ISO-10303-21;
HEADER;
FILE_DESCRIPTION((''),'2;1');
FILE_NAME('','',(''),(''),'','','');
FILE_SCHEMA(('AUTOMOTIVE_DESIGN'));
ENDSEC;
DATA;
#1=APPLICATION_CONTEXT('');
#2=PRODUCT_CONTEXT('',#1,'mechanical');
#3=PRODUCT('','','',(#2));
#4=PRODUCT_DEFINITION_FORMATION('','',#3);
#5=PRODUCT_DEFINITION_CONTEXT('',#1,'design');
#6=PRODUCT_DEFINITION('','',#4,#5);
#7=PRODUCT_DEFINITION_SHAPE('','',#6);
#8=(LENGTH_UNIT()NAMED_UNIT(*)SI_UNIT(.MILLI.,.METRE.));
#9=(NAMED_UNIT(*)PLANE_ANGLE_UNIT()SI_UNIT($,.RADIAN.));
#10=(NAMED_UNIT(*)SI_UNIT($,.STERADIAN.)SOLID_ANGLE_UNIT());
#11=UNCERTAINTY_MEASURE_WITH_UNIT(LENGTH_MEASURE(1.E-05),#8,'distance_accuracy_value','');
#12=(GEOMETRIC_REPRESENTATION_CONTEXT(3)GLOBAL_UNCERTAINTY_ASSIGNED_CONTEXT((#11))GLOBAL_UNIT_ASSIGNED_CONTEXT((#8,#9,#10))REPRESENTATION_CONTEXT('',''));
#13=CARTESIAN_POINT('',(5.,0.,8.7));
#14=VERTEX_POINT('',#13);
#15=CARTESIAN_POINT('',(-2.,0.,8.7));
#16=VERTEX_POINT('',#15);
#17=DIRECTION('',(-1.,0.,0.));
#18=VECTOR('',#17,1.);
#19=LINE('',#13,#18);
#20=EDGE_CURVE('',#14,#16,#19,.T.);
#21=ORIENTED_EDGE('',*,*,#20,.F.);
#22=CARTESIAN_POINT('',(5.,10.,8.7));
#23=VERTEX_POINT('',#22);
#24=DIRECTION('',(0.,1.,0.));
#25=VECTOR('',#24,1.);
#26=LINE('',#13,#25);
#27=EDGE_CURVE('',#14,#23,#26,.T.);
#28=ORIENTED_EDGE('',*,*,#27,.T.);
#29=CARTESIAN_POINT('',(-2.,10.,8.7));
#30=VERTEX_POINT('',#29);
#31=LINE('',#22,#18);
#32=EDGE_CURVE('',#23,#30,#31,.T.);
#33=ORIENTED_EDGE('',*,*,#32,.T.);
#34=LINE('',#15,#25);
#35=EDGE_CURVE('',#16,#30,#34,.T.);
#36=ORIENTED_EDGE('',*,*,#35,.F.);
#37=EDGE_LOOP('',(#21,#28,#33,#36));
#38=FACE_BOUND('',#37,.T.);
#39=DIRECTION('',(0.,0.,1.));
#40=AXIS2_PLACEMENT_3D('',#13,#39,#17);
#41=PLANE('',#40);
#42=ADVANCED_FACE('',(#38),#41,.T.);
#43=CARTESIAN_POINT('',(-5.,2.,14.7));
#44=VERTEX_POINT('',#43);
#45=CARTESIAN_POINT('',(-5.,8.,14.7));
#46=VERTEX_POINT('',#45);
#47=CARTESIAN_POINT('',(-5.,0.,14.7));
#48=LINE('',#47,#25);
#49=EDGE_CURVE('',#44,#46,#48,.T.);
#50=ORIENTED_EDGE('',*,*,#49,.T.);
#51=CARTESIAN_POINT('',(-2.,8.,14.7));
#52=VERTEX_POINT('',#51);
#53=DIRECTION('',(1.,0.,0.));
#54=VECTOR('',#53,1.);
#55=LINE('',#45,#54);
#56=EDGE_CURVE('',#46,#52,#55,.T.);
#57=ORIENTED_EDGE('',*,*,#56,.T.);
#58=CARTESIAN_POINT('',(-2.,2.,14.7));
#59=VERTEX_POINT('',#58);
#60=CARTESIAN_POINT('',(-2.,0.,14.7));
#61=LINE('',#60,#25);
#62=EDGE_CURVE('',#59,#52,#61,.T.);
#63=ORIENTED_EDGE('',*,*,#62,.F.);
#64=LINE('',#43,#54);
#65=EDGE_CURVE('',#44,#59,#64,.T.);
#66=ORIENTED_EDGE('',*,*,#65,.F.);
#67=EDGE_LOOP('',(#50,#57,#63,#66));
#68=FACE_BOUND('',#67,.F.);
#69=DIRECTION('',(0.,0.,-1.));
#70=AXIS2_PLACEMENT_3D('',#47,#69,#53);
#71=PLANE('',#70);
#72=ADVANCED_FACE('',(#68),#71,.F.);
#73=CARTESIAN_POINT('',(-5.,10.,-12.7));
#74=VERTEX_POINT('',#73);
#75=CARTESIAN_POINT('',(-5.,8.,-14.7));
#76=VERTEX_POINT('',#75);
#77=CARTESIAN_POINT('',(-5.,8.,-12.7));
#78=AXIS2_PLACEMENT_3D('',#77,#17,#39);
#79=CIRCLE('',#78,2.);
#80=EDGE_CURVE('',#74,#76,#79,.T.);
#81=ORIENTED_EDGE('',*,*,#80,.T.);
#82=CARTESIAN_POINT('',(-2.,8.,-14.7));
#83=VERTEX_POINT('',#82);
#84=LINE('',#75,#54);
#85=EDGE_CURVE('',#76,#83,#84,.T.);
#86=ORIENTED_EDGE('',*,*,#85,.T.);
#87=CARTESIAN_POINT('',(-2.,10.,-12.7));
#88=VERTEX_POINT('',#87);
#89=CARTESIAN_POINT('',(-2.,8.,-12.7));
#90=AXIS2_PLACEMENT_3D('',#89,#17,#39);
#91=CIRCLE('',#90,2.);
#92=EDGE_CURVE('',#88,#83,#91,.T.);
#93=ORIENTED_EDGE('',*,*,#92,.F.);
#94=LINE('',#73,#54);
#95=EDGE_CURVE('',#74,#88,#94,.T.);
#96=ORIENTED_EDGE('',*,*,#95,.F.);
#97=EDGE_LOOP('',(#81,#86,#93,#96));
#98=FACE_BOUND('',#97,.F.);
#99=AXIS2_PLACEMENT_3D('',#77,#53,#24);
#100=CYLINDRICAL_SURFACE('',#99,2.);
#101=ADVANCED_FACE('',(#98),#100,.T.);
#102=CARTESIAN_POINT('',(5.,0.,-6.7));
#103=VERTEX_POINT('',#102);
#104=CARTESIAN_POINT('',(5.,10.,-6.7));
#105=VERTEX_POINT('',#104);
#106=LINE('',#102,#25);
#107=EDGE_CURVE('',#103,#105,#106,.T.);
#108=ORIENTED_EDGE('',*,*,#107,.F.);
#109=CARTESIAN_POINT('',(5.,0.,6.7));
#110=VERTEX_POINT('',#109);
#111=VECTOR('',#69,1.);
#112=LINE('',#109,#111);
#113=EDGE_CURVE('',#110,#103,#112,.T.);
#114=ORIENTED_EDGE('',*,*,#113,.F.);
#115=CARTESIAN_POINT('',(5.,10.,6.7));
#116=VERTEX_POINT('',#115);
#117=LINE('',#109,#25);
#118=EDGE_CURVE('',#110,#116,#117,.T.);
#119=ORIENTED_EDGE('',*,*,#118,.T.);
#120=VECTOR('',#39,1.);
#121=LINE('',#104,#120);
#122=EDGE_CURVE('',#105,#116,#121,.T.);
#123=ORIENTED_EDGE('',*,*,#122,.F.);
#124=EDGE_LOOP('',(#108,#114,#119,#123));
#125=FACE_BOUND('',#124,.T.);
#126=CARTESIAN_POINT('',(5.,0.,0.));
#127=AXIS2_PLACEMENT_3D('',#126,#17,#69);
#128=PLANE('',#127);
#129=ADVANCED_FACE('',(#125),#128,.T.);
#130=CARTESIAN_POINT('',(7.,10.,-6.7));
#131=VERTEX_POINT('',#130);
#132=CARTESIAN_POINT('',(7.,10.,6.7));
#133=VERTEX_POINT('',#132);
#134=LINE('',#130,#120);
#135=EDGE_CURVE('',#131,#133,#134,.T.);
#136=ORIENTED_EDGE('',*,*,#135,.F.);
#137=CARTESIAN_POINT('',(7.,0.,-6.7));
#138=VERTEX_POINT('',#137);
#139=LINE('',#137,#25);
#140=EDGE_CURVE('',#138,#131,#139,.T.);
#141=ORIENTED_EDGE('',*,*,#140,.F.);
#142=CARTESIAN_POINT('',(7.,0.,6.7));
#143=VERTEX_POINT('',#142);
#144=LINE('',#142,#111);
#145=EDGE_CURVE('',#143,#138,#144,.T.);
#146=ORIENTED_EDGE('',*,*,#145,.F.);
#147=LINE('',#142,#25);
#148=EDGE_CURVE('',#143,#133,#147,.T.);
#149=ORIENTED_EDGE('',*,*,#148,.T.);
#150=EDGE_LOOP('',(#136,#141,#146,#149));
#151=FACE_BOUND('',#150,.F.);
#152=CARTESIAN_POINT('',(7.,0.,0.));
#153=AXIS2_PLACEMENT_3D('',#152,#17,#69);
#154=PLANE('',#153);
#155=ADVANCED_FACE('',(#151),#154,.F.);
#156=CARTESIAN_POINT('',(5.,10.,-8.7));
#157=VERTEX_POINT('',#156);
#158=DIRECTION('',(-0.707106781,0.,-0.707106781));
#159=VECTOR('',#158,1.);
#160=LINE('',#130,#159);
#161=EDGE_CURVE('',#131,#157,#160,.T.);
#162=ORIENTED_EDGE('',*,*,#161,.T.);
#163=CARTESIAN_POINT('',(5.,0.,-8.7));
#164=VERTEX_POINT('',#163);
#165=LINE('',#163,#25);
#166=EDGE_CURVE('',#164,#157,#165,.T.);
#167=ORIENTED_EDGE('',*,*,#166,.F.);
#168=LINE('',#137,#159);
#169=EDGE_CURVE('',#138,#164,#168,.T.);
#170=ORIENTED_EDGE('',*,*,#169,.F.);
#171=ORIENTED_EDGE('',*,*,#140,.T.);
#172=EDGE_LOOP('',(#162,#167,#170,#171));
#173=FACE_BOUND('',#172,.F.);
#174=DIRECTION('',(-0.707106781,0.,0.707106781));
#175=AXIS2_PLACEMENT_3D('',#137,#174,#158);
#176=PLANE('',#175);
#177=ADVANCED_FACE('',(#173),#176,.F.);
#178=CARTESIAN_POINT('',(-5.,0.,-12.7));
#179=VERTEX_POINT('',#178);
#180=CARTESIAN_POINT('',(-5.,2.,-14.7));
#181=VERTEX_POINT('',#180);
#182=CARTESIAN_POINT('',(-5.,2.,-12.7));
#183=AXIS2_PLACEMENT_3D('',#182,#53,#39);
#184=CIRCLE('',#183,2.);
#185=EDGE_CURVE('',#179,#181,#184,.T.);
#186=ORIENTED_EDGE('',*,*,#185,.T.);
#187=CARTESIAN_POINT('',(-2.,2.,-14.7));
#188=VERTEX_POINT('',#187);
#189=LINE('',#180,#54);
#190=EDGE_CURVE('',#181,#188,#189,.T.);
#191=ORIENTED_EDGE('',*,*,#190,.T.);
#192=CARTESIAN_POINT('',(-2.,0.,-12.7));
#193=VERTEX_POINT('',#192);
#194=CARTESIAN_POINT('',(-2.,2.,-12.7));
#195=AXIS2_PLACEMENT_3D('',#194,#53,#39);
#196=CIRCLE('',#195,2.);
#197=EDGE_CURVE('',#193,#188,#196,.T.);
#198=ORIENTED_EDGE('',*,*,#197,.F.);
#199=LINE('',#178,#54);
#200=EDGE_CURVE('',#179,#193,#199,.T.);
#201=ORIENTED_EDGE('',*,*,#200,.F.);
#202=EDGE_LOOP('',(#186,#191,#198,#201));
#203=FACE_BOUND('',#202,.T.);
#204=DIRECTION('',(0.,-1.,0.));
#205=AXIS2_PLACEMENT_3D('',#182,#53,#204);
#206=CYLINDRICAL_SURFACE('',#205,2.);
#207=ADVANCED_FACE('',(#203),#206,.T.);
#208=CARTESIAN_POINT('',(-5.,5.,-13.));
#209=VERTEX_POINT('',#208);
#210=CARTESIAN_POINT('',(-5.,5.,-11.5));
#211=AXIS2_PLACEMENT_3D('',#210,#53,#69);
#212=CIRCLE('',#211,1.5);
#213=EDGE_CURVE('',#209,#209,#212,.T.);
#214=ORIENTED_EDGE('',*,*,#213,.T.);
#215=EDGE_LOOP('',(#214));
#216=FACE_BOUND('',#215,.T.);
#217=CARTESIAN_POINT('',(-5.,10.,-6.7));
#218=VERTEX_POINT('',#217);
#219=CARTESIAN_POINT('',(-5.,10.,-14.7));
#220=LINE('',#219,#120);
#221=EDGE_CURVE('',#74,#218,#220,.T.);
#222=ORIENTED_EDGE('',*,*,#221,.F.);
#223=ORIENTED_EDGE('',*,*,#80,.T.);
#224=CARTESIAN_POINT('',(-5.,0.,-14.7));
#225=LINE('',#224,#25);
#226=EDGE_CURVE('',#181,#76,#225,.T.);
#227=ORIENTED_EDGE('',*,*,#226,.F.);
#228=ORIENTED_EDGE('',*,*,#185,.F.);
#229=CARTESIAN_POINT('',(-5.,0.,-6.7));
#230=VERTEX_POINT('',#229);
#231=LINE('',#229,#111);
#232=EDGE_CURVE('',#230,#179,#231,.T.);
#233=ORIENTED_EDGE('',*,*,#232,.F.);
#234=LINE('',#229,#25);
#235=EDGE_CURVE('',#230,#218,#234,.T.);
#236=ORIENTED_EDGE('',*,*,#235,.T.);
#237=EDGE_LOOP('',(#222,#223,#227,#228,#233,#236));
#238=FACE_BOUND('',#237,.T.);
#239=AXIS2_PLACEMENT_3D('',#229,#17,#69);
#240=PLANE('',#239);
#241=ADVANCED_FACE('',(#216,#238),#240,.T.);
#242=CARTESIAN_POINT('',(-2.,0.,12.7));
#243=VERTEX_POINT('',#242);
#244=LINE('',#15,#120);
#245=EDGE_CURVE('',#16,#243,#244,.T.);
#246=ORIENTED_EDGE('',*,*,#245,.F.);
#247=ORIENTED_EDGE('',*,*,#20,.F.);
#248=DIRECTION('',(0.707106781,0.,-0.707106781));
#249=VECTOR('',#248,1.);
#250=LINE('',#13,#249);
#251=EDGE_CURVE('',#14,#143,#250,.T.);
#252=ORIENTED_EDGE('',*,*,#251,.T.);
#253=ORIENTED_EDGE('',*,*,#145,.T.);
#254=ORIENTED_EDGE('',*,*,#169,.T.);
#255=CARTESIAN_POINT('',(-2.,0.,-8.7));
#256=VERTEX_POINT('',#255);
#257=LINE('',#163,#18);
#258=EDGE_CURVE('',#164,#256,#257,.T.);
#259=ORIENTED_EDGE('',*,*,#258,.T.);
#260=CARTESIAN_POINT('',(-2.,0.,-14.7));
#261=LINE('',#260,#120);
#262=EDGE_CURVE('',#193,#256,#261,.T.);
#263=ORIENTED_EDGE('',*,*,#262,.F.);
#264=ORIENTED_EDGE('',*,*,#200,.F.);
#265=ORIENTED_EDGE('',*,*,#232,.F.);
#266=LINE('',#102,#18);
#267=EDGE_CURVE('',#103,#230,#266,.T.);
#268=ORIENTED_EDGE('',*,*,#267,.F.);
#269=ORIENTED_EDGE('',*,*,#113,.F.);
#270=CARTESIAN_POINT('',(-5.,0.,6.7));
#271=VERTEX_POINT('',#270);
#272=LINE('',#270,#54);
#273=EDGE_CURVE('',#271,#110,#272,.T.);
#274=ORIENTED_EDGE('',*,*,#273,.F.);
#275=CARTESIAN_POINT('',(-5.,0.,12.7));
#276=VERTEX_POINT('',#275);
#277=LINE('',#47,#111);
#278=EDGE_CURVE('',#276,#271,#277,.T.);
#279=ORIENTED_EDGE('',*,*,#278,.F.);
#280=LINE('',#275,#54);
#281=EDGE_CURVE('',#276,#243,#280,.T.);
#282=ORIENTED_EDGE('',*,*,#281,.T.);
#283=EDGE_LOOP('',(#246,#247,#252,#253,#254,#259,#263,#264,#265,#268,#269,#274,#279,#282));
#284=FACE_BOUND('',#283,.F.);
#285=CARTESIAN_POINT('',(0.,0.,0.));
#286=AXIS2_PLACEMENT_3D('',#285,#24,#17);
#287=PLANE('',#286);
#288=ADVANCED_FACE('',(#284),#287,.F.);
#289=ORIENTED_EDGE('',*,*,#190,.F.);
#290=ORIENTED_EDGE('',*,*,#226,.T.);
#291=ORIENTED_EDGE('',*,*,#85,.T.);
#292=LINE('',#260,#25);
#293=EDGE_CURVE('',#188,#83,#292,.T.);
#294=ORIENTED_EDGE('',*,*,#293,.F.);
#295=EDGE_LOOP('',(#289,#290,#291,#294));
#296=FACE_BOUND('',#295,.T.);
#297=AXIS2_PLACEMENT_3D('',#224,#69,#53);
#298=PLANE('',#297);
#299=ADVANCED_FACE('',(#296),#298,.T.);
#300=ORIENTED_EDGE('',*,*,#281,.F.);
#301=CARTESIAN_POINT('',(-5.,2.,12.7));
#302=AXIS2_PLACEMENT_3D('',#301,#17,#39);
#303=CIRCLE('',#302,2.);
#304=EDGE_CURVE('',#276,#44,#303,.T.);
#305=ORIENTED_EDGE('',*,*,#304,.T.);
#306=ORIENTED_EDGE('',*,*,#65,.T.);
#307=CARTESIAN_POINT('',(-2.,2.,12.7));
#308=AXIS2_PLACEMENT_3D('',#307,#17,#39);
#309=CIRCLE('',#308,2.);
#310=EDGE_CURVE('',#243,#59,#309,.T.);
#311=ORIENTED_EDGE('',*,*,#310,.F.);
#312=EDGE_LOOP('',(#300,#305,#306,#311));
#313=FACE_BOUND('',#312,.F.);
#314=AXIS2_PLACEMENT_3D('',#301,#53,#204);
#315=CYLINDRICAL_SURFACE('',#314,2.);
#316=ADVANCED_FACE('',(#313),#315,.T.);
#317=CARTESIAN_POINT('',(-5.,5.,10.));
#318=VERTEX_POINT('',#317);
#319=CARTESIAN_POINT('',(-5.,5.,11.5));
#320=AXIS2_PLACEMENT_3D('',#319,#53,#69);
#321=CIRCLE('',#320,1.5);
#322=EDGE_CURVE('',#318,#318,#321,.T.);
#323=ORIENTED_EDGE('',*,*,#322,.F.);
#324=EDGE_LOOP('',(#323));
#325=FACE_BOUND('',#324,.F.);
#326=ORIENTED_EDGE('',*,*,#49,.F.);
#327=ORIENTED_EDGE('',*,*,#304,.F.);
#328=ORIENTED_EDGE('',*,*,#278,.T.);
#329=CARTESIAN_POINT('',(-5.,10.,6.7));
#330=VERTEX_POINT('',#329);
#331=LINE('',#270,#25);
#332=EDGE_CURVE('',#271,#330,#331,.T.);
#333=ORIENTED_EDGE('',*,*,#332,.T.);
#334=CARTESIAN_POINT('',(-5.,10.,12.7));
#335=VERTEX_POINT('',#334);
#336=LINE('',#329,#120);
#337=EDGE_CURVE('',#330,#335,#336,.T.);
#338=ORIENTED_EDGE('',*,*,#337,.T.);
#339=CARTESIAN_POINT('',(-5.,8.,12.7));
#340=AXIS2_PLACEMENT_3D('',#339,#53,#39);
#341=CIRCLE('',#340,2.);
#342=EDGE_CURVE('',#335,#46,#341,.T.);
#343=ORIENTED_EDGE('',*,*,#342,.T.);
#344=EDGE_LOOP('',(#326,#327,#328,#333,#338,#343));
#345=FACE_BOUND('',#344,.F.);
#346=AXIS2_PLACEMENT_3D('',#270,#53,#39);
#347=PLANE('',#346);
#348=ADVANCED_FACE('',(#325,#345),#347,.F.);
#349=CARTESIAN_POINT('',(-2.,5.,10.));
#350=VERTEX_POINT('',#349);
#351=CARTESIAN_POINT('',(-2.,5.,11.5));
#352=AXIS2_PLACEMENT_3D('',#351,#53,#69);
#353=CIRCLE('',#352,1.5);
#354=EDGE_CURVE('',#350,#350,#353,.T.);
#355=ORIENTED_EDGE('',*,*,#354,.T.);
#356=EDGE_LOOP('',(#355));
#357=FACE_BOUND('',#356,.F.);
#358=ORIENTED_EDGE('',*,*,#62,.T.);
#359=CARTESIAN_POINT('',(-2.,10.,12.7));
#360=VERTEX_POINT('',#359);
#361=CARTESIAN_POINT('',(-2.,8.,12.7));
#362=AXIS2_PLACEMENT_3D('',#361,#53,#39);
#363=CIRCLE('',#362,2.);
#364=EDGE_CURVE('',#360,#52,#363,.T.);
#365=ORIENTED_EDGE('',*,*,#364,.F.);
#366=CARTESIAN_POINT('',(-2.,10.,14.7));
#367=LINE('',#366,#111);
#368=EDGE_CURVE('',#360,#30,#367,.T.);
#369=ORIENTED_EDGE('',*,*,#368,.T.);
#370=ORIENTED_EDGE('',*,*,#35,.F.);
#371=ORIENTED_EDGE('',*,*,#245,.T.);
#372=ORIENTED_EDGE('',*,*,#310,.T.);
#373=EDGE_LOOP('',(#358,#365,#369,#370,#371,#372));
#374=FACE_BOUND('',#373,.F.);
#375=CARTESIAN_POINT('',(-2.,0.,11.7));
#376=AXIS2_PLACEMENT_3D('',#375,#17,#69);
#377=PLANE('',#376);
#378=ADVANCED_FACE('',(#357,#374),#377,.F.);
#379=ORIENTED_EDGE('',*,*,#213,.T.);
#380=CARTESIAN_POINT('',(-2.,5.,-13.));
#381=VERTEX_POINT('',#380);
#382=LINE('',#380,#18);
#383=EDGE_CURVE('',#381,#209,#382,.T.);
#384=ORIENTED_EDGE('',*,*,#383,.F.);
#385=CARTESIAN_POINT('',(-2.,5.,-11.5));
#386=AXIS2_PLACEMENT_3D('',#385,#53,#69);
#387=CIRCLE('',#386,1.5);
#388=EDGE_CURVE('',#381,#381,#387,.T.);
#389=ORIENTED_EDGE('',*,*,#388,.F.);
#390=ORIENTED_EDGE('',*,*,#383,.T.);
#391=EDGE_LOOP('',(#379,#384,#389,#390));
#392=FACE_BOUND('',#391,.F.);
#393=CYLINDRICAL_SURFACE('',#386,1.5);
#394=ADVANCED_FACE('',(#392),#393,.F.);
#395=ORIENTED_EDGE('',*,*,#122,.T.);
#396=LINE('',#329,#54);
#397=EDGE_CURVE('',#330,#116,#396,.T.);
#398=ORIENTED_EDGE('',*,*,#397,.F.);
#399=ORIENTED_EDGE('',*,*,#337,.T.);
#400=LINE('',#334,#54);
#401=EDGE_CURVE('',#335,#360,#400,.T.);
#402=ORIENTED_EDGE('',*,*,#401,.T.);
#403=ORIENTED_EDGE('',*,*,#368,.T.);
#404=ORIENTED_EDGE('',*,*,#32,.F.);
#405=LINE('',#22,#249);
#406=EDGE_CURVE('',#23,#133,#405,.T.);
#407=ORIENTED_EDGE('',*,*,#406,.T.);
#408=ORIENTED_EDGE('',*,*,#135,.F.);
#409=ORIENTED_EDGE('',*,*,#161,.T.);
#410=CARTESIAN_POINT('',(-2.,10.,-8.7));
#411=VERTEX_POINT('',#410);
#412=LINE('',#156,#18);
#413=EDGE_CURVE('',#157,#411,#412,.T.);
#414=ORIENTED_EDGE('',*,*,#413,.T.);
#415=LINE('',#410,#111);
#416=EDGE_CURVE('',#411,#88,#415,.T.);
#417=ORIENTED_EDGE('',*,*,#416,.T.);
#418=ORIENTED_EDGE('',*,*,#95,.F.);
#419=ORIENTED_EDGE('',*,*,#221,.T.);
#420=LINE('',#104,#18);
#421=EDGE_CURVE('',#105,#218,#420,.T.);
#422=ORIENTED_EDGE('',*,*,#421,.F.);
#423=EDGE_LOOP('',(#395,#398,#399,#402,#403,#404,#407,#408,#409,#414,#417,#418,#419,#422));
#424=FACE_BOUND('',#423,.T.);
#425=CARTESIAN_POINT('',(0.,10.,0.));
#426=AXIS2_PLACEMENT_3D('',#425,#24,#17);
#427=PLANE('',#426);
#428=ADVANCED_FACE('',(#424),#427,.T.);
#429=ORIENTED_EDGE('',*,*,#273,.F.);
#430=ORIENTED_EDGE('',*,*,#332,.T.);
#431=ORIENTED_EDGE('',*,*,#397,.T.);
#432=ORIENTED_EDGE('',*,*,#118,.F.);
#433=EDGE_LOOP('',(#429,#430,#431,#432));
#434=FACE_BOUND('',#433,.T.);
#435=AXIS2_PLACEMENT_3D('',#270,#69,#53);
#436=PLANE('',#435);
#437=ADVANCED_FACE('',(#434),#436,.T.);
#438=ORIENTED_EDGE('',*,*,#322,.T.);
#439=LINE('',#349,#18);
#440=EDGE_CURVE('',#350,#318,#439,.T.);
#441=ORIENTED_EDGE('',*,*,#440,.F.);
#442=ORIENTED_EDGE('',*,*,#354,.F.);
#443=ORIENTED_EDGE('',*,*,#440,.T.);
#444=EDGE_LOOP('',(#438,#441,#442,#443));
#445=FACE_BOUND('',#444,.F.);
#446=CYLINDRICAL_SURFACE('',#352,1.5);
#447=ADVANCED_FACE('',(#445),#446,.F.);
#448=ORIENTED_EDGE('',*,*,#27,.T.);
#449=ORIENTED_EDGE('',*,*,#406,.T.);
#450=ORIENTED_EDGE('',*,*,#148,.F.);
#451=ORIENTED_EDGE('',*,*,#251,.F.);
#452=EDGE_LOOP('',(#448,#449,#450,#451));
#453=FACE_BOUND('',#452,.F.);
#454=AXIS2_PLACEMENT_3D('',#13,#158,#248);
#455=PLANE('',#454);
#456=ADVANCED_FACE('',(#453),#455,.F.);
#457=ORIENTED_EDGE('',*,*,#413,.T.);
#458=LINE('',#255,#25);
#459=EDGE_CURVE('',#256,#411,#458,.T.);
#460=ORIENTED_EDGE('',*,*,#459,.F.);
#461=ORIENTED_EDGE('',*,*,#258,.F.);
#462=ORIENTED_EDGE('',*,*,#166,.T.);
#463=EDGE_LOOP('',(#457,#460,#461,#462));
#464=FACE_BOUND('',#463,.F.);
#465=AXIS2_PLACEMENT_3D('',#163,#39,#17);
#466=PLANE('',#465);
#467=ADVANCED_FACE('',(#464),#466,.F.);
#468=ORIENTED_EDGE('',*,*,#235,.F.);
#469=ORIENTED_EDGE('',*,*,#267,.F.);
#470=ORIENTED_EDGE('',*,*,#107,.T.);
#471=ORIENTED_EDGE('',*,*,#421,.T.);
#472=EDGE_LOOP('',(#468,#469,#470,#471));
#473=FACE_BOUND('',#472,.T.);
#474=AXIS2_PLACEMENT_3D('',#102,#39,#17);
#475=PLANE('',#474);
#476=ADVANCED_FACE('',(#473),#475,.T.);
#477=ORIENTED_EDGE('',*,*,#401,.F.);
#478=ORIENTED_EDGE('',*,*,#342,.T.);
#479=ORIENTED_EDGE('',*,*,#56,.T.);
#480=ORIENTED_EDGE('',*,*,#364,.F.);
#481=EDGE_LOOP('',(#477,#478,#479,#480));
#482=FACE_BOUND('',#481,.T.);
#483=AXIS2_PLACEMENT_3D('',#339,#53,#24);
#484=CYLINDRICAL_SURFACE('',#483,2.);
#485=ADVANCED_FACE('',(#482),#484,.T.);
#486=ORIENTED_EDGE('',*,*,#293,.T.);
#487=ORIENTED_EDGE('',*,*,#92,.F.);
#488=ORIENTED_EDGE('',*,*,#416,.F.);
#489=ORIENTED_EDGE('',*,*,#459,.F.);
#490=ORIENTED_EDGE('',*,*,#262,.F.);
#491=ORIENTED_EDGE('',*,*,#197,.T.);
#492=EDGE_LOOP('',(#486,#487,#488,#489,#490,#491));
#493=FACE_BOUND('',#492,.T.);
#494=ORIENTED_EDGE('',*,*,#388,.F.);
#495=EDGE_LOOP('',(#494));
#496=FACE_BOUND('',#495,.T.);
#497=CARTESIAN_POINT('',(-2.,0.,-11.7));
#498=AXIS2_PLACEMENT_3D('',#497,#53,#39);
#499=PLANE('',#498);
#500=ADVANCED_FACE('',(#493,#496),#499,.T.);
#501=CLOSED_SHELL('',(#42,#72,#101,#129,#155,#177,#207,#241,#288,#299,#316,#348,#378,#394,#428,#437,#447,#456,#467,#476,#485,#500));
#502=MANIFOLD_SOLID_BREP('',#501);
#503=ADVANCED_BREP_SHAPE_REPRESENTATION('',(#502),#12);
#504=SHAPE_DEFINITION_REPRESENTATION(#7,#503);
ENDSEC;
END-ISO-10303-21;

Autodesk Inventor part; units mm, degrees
ref_plane "YZ Plane" through (0, 0, 0) normal (1, 0, 0) x (0, 1, 0)
ref_plane "XZ Plane" through (0, 0, 0) normal (0, 1, 0) x (-1, 0, 0)
ref_plane "XY Plane" through (0, 0, 0) normal (0, 0, 1) x (1, 0, 0)
sketch "Szkic1" plane through (0, 0, 0) normal (0, 1, 0) x (-1, 0, 0)
  line L0 (-4, 6.5) -> (4, 6.5) construction
  line L1 (4, 6.5) -> (4, -6.5) construction
  line L2 (4, -6.5) -> (-4, -6.5) construction
  line L3 (-4, -6.5) -> (-4, 6.5) construction
  line L4 (-4, 6.5) -> (4, -6.5) construction
  line L5 (4, 6.5) -> (-4, -6.5) construction
  line L6 (-5, -6.7) -> (5, -6.7)
  line L7 (5, -6.7) -> (5, 6.7)
  line L8 (5, 6.7) -> (-5, 6.7)
  line L9 (-5, 6.7) -> (-5, -6.7)
  line L10 (-5, -6.7) -> (5, 6.7) construction
  line L11 (5, -6.7) -> (-5, 6.7) construction
  line L12 (5, 6.7) -> (5, 11.7)
  line L13 (5, -6.7) -> (5, -11.7)
  line L14 (5, 11.7) -> (5, 14.7)
  line L15 (5, -11.7) -> (5, -14.7)
  line L16 (5, 14.7) -> (2, 14.7)
  line L17 (2, 14.7) -> (2, 11.7)
  line L18 (2, 11.7) -> (5, 11.7)
  line L19 (5, 11.7) -> (5, 14.7)
  line L20 (5, -14.7) -> (2, -14.7)
  line L21 (2, -14.7) -> (2, -11.7)
  line L22 (2, -11.7) -> (5, -11.7)
  line L23 (5, -11.7) -> (5, -14.7)
  line L24 (-5, 0) -> (-7, 0)
  line L25 (-5, 6.7) -> (-7, 6.7)
  line L26 (-5, -6.7) -> (-7, -6.7)
  line L27 (2, 11.7) -> (2, 8.7)
  line L28 (-7, 6.7) -> (-7, 0)
  line L29 (-7, 0) -> (-7, -6.7)
  line L30 (2, -11.7) -> (2, -8.7)
  line L31 (-5, 6.7) -> (-5, 8.7)
  line L32 (-5, 8.7) -> (2, 8.7)
  line L33 (-5, -6.7) -> (-5, -8.7)
  line L34 (-5, -8.7) -> (2, -8.7)
  line L35 (-5, 8.7) -> (-7, 6.7)
  line L36 (-7, -6.7) -> (-5, -8.7)
  point P0 (0, 0)
  dimension "d0" = 8
  dimension "d1" = 13
  dimension "d2" = 10
  dimension "d3" = 13.4
  dimension "d4" = 5
  dimension "d5" = 5
  dimension "d6" = 3
  dimension "d7" = 3
  dimension "d8" = 3
  dimension "d9" = 3
  dimension "d10" = 2
  dimension "d11" = 2
  dimension "d12" = 2
  dimension "d13" = 3
  dimension "d14" = 3
  dimension "d15" = 2
  dimension "d16" = 2
extrude "Wyciągnięcie proste1" add sketch "Szkic1" along normal blind 10 contours L26 L29 L24 L9 | L33 L36 L26 | L6 L13 L22 L30 L34 L33 | L24 L28 L25 L9 | L8 L31 L32 L27 L18 L12 | L15 L20 L21 L22 | L25 L35 L31 | L18 L17 L16 L14
sketch "Szkic2" plane through (-2, 0, 14.7) normal (1, 0, 0) x (0, 0, -1)
  line L0 (0, 10) -> (6, 10) construction
  line L1 (6, 0) -> (6, 10) construction
  line L2 (0, 0) -> (0, 10) construction
  line L3 (6, 0) -> (0, 0) construction
  line L4 (14.7, 0) -> (14.7, 10) construction
  line L5 (8, 10) -> (21.4, 10) construction
  circle A0 centre (3.2, 5) radius 1.5
  circle A1 centre (26.2, 5) radius 1.5
  line L6 (23.4, 0) -> (23.4, 10) projected
  line L7 (0, 0) -> (6, 10) construction
  line L8 (6, 0) -> (0, 10) construction
  line L9 (6, 0) -> (6, 10) projected
  point P0 (6, 5)
  point P1 (6, 5)
  dimension "d19" = 3
  dimension "d27" = 2.8
  dimension "d28" = 5
extrude "Wyciągnięcie proste2" cut sketch "Szkic2" against normal blind 6.65
fillet "Zaokrąglenie1" radius 2 4 edges at (-3.5, 10, 14.7) (-3.5, 0, 14.7) (-3.5, 10, -14.7) (-3.5, 0, -14.7)
properties part number "silnik_lockedin"
